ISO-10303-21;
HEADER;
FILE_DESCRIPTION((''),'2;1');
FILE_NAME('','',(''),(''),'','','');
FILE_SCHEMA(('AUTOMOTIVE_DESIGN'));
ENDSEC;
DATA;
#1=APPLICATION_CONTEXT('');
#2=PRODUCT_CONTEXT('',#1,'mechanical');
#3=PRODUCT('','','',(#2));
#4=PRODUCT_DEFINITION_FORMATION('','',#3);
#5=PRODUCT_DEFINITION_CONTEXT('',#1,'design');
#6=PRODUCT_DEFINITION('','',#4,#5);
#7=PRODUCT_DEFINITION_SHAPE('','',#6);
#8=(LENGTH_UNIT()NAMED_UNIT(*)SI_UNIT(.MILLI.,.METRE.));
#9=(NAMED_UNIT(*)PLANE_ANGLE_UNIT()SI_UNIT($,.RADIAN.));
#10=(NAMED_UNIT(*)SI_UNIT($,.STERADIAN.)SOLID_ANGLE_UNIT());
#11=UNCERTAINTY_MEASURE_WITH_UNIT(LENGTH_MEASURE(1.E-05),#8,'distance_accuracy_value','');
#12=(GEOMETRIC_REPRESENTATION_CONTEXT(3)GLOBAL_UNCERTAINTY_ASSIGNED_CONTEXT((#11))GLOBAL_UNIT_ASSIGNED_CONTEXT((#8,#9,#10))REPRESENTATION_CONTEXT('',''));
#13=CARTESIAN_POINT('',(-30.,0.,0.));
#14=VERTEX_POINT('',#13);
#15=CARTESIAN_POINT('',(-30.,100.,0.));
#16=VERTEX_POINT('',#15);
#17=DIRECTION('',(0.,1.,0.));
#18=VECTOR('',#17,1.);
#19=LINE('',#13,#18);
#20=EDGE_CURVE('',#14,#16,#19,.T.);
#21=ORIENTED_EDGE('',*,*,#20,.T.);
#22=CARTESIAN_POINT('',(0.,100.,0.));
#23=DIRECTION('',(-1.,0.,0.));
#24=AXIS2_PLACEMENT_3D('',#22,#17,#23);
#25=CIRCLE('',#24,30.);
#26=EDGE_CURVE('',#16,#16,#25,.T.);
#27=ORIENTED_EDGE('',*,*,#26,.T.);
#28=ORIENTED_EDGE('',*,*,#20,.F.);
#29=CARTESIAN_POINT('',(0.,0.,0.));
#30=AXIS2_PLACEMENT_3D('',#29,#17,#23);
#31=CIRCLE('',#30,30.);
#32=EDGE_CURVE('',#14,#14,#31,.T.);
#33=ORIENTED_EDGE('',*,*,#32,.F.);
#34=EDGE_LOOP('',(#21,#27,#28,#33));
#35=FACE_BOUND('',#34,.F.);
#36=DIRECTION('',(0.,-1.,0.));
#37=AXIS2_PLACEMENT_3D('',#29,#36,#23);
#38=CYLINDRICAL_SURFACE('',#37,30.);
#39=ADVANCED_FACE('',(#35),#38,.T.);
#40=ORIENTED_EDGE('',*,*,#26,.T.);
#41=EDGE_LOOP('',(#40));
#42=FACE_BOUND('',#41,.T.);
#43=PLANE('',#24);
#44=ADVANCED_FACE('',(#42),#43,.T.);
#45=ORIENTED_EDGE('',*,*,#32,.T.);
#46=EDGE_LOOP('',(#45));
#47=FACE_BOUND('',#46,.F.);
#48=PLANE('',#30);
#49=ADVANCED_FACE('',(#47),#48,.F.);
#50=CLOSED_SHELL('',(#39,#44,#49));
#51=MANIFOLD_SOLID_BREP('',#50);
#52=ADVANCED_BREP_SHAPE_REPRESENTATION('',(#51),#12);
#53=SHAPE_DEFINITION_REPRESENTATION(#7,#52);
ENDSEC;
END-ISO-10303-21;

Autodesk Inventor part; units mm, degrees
ref_plane "YZ Plane" through (0, 0, 0) normal (1, 0, 0) x (0, 1, 0)
ref_plane "XZ Plane" through (0, 0, 0) normal (0, 1, 0) x (-1, 0, 0)
ref_plane "XY Plane" through (0, 0, 0) normal (0, 0, 1) x (1, 0, 0)
sketch "Sketch1" plane through (0, 0, 0) normal (0, 1, 0) x (-1, 0, 0)
  circle A0 centre (0, 0) radius 30
  dimension "d0" = 60
extrude "Extrusion1" add sketch "Sketch1" along normal blind 100
properties part number "TubeFormCore30mm"
